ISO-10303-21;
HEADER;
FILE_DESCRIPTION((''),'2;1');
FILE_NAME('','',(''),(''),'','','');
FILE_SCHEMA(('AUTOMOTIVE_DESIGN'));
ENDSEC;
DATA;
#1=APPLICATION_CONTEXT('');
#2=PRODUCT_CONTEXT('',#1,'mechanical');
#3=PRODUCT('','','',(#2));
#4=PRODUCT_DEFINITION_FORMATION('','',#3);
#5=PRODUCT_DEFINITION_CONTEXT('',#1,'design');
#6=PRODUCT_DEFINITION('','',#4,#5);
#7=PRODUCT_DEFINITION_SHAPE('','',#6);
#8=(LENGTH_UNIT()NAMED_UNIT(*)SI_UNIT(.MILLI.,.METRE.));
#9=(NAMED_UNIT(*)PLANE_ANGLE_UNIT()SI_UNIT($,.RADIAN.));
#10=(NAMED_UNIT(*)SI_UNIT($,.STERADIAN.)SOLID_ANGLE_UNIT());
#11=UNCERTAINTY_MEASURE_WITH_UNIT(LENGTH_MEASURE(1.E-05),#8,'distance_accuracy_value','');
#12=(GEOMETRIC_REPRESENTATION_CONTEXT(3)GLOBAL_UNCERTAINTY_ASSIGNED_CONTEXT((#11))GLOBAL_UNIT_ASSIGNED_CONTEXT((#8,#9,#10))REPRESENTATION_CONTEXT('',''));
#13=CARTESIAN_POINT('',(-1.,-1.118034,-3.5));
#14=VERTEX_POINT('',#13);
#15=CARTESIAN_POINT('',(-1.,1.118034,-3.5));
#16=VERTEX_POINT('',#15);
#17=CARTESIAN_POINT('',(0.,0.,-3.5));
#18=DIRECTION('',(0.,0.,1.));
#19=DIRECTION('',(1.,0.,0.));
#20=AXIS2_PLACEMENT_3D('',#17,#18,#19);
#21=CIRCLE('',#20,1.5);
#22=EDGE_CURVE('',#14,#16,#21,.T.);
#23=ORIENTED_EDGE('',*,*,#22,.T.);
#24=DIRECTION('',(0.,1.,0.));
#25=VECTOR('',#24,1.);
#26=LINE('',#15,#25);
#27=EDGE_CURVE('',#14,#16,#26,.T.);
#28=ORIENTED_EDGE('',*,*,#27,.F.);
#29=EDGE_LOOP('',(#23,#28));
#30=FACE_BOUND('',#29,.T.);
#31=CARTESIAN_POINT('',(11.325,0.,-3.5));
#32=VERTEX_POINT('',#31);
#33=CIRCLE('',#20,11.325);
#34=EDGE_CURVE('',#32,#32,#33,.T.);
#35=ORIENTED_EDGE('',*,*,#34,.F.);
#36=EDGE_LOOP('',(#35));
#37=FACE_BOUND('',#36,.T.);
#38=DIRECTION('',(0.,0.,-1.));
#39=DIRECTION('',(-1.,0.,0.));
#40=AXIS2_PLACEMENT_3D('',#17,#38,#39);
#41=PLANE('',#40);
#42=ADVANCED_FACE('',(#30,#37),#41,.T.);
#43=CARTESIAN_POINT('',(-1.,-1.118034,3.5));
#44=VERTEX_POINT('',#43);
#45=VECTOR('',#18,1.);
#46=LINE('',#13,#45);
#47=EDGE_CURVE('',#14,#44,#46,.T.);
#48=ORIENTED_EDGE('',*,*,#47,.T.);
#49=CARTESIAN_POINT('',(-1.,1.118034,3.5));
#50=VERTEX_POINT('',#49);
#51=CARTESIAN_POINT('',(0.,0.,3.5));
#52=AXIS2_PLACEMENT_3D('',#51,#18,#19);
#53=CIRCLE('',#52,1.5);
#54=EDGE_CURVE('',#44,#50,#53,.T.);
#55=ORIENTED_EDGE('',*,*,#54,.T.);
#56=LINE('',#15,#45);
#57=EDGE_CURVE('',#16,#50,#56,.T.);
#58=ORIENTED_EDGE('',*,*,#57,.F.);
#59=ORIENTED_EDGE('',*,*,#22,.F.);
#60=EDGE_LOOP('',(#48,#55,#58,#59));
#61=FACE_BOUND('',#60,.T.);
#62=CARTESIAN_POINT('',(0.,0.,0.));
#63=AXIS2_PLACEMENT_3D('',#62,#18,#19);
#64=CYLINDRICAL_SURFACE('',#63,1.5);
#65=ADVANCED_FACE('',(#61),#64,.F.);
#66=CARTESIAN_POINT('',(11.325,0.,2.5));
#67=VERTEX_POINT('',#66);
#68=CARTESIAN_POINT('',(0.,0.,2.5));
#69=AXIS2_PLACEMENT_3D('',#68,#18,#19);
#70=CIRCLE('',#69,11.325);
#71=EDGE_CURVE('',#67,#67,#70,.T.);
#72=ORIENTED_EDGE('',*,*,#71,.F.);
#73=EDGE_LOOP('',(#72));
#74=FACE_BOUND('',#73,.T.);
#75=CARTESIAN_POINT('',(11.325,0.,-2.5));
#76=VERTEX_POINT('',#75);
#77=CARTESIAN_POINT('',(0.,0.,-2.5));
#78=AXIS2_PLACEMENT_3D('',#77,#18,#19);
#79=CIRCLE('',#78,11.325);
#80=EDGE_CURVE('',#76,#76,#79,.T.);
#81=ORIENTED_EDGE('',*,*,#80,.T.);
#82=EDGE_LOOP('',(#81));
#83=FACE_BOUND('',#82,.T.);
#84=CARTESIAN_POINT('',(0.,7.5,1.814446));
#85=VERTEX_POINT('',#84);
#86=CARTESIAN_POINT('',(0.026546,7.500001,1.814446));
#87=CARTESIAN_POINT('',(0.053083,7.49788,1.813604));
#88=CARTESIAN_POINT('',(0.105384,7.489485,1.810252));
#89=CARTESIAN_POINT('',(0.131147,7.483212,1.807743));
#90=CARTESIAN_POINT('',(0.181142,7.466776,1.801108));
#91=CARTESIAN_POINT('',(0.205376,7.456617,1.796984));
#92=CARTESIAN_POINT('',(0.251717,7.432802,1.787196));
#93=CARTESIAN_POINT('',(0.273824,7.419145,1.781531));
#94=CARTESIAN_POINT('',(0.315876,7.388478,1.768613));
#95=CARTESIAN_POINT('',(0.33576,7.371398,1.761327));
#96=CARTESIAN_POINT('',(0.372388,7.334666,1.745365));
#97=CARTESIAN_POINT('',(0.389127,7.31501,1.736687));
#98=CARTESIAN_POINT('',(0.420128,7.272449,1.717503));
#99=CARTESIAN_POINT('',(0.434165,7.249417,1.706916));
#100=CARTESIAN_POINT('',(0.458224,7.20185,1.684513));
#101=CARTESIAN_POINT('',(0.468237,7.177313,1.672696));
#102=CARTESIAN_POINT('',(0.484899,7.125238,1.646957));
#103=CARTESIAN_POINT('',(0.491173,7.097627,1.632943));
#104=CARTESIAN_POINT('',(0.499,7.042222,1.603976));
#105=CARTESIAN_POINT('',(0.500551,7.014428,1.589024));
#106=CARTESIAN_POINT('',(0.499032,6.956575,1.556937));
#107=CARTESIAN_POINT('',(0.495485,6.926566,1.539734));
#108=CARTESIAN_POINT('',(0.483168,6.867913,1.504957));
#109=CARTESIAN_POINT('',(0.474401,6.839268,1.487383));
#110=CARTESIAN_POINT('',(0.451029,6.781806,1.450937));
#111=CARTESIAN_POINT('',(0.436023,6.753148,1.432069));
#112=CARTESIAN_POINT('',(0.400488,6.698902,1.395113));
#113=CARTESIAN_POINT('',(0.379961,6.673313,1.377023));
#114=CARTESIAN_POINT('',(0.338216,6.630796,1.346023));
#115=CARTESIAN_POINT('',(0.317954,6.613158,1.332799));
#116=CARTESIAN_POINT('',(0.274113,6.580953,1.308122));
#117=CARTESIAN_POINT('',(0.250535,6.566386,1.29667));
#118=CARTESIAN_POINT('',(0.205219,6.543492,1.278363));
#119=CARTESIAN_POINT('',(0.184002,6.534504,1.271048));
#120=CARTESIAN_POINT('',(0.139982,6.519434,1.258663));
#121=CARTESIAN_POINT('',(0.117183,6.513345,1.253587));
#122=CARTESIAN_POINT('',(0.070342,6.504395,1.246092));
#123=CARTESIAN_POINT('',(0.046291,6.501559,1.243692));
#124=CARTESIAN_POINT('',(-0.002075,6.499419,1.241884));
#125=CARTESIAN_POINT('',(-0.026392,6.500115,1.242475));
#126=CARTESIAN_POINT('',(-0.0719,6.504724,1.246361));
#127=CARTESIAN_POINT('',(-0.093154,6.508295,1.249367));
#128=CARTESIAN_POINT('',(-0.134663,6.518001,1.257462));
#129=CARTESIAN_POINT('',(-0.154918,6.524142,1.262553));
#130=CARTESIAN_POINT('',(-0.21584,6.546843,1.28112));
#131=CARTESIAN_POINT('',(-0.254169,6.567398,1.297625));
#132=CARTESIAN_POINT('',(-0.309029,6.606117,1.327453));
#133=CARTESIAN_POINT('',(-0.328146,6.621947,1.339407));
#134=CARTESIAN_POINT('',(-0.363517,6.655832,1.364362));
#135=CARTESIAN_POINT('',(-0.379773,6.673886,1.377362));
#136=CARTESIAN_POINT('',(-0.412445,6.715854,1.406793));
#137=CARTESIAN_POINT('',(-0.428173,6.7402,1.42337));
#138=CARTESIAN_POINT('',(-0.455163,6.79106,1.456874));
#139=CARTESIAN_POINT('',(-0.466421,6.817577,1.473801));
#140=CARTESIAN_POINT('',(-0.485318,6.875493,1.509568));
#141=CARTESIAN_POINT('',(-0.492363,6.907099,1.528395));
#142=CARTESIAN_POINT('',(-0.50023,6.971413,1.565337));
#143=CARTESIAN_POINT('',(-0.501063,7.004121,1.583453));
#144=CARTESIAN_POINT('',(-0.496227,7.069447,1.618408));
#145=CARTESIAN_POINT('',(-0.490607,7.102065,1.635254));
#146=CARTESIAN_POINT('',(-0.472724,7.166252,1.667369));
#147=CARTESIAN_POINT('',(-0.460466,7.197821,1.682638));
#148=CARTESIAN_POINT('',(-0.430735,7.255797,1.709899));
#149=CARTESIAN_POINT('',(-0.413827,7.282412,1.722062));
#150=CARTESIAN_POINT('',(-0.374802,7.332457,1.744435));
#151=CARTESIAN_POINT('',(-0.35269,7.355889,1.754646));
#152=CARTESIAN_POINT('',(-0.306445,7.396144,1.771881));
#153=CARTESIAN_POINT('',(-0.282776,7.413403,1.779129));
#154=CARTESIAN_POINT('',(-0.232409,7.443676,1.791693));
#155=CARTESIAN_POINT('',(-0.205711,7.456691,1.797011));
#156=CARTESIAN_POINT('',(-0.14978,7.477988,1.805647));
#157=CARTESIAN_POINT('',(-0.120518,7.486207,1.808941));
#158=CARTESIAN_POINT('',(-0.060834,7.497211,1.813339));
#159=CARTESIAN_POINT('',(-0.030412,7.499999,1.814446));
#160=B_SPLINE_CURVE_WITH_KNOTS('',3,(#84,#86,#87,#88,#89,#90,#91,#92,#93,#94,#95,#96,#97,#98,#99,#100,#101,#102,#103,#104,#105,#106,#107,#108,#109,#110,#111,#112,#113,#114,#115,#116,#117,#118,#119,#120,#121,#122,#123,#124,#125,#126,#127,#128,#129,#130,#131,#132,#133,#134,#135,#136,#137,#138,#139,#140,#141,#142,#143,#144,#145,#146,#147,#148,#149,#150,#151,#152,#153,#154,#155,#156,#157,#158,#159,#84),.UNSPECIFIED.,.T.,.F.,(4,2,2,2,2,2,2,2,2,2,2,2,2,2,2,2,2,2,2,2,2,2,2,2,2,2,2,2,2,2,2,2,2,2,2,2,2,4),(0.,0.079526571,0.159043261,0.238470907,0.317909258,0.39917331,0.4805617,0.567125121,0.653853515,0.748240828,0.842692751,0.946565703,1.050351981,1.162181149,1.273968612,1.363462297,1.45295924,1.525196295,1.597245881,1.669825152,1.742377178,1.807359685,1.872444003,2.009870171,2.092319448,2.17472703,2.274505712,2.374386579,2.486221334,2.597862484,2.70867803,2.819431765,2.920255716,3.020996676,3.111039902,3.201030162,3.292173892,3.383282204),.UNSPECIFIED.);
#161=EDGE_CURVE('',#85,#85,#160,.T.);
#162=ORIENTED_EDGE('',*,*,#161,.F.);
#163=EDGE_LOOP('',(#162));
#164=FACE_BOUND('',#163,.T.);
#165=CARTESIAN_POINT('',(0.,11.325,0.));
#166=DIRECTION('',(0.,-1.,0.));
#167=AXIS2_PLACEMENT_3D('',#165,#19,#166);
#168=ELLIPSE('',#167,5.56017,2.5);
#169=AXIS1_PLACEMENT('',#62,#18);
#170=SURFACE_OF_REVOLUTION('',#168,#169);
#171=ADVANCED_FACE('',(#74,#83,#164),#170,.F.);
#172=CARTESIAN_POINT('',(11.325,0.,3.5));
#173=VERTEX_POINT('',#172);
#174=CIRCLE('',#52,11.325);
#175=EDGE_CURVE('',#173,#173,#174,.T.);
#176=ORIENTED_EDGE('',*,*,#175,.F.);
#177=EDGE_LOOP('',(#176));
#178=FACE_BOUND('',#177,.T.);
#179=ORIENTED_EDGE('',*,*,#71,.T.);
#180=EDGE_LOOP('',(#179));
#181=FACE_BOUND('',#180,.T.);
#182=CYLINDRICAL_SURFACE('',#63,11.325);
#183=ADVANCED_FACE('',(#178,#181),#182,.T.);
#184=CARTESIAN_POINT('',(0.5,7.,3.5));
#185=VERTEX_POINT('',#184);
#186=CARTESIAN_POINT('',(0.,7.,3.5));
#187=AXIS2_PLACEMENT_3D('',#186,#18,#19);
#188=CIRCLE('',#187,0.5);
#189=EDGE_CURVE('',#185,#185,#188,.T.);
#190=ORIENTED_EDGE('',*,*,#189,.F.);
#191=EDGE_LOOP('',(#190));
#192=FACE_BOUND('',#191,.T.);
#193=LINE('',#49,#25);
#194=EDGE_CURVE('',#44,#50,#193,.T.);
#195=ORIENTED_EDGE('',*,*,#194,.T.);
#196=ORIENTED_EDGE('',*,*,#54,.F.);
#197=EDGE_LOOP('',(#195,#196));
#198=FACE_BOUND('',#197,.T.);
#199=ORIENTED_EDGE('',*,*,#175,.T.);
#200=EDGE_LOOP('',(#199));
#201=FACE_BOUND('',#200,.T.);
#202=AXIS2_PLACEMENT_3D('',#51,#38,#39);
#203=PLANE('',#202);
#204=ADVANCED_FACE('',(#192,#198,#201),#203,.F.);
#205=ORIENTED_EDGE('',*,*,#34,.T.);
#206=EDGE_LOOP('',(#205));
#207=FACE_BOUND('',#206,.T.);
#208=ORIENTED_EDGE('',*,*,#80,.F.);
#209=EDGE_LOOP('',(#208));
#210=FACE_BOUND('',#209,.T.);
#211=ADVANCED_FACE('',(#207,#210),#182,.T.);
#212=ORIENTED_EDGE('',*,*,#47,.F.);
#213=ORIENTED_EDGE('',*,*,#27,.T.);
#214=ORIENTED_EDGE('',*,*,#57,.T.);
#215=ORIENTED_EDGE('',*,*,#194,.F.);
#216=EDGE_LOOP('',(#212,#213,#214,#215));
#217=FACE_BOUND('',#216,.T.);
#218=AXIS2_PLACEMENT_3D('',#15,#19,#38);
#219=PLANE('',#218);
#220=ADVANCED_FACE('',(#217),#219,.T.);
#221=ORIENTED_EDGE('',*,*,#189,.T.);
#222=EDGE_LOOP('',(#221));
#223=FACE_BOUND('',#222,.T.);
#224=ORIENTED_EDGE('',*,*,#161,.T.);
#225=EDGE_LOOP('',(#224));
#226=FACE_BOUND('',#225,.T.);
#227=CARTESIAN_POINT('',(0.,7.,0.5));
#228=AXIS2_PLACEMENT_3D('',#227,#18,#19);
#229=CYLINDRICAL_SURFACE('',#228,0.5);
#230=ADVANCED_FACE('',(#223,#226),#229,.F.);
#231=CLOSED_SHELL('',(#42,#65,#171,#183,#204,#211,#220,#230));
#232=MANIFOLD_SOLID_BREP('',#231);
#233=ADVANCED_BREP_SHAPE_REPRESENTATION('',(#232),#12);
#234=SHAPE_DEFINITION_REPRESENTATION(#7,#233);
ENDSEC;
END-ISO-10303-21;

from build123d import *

# Parameters (mm, degrees)
BOSS_EXTRUDE1_START = -7
BOSS_EXTRUDE1_DEPTH = 7
SKETCH8_R           = 0.5
CUT_EXTRUDE1_DEPTH  = 3


with BuildPart() as part:
    # Sketch4 → Revolve1 (revolve)
    with BuildSketch(Plane(origin=(0, 0, 0), x_dir=(0, 0, -1), z_dir=(1, 0, 0)), mode=Mode.PRIVATE) as revolve1_sk:
        with BuildLine():
            Line((-2.5, 11.325), (-3.5, 11.325))
            Line((-3.5, 11.325), (-3.5, 1.5))
            Line((-3.5, 1.5), (3.5, 1.5))
            Line((3.5, 1.5), (3.5, 11.325))
            Line((3.5, 11.325), (2.5, 11.325))
            add(Edge.make_bspline(
                [(-2.5, 11.325), (-2.5, 5.764829973), (0, 5.764829973), (2.5, 5.764829973), (2.5, 11.325)],
                knots=[1.570796327, 1.570796327, 1.570796327, 3.141592654, 3.141592654, 4.71238898, 4.71238898, 4.71238898], degree=2, weights=[1, 0.707106781, 1, 0.707106781, 1]))
        make_face()
    revolve(revolve1_sk.sketch.rotate(Axis((0, 0, 0), (0, 0, -1)), 90), axis=Axis((0, 0, 0), (0, 0, -1)))

    # Sketch7 → Boss-Extrude1 (add)
    with BuildSketch(Plane.XY.offset(3.5).offset(BOSS_EXTRUDE1_START)):
        with BuildLine():
            Line((-1, 1.118033989), (-1, -1.118033989))
            ThreePointArc((-1, -1.118033989), (-1.5, 0), (-1, 1.118033989))
        make_face()
    extrude(amount=BOSS_EXTRUDE1_DEPTH)

    # Sketch8 → Cut-Extrude1 (cut)
    with BuildSketch(Plane.XY.offset(3.5)):
        with Locations((0, 7)):
            Circle(SKETCH8_R)
    extrude(amount=-CUT_EXTRUDE1_DEPTH, mode=Mode.SUBTRACT)


solid = part.part
